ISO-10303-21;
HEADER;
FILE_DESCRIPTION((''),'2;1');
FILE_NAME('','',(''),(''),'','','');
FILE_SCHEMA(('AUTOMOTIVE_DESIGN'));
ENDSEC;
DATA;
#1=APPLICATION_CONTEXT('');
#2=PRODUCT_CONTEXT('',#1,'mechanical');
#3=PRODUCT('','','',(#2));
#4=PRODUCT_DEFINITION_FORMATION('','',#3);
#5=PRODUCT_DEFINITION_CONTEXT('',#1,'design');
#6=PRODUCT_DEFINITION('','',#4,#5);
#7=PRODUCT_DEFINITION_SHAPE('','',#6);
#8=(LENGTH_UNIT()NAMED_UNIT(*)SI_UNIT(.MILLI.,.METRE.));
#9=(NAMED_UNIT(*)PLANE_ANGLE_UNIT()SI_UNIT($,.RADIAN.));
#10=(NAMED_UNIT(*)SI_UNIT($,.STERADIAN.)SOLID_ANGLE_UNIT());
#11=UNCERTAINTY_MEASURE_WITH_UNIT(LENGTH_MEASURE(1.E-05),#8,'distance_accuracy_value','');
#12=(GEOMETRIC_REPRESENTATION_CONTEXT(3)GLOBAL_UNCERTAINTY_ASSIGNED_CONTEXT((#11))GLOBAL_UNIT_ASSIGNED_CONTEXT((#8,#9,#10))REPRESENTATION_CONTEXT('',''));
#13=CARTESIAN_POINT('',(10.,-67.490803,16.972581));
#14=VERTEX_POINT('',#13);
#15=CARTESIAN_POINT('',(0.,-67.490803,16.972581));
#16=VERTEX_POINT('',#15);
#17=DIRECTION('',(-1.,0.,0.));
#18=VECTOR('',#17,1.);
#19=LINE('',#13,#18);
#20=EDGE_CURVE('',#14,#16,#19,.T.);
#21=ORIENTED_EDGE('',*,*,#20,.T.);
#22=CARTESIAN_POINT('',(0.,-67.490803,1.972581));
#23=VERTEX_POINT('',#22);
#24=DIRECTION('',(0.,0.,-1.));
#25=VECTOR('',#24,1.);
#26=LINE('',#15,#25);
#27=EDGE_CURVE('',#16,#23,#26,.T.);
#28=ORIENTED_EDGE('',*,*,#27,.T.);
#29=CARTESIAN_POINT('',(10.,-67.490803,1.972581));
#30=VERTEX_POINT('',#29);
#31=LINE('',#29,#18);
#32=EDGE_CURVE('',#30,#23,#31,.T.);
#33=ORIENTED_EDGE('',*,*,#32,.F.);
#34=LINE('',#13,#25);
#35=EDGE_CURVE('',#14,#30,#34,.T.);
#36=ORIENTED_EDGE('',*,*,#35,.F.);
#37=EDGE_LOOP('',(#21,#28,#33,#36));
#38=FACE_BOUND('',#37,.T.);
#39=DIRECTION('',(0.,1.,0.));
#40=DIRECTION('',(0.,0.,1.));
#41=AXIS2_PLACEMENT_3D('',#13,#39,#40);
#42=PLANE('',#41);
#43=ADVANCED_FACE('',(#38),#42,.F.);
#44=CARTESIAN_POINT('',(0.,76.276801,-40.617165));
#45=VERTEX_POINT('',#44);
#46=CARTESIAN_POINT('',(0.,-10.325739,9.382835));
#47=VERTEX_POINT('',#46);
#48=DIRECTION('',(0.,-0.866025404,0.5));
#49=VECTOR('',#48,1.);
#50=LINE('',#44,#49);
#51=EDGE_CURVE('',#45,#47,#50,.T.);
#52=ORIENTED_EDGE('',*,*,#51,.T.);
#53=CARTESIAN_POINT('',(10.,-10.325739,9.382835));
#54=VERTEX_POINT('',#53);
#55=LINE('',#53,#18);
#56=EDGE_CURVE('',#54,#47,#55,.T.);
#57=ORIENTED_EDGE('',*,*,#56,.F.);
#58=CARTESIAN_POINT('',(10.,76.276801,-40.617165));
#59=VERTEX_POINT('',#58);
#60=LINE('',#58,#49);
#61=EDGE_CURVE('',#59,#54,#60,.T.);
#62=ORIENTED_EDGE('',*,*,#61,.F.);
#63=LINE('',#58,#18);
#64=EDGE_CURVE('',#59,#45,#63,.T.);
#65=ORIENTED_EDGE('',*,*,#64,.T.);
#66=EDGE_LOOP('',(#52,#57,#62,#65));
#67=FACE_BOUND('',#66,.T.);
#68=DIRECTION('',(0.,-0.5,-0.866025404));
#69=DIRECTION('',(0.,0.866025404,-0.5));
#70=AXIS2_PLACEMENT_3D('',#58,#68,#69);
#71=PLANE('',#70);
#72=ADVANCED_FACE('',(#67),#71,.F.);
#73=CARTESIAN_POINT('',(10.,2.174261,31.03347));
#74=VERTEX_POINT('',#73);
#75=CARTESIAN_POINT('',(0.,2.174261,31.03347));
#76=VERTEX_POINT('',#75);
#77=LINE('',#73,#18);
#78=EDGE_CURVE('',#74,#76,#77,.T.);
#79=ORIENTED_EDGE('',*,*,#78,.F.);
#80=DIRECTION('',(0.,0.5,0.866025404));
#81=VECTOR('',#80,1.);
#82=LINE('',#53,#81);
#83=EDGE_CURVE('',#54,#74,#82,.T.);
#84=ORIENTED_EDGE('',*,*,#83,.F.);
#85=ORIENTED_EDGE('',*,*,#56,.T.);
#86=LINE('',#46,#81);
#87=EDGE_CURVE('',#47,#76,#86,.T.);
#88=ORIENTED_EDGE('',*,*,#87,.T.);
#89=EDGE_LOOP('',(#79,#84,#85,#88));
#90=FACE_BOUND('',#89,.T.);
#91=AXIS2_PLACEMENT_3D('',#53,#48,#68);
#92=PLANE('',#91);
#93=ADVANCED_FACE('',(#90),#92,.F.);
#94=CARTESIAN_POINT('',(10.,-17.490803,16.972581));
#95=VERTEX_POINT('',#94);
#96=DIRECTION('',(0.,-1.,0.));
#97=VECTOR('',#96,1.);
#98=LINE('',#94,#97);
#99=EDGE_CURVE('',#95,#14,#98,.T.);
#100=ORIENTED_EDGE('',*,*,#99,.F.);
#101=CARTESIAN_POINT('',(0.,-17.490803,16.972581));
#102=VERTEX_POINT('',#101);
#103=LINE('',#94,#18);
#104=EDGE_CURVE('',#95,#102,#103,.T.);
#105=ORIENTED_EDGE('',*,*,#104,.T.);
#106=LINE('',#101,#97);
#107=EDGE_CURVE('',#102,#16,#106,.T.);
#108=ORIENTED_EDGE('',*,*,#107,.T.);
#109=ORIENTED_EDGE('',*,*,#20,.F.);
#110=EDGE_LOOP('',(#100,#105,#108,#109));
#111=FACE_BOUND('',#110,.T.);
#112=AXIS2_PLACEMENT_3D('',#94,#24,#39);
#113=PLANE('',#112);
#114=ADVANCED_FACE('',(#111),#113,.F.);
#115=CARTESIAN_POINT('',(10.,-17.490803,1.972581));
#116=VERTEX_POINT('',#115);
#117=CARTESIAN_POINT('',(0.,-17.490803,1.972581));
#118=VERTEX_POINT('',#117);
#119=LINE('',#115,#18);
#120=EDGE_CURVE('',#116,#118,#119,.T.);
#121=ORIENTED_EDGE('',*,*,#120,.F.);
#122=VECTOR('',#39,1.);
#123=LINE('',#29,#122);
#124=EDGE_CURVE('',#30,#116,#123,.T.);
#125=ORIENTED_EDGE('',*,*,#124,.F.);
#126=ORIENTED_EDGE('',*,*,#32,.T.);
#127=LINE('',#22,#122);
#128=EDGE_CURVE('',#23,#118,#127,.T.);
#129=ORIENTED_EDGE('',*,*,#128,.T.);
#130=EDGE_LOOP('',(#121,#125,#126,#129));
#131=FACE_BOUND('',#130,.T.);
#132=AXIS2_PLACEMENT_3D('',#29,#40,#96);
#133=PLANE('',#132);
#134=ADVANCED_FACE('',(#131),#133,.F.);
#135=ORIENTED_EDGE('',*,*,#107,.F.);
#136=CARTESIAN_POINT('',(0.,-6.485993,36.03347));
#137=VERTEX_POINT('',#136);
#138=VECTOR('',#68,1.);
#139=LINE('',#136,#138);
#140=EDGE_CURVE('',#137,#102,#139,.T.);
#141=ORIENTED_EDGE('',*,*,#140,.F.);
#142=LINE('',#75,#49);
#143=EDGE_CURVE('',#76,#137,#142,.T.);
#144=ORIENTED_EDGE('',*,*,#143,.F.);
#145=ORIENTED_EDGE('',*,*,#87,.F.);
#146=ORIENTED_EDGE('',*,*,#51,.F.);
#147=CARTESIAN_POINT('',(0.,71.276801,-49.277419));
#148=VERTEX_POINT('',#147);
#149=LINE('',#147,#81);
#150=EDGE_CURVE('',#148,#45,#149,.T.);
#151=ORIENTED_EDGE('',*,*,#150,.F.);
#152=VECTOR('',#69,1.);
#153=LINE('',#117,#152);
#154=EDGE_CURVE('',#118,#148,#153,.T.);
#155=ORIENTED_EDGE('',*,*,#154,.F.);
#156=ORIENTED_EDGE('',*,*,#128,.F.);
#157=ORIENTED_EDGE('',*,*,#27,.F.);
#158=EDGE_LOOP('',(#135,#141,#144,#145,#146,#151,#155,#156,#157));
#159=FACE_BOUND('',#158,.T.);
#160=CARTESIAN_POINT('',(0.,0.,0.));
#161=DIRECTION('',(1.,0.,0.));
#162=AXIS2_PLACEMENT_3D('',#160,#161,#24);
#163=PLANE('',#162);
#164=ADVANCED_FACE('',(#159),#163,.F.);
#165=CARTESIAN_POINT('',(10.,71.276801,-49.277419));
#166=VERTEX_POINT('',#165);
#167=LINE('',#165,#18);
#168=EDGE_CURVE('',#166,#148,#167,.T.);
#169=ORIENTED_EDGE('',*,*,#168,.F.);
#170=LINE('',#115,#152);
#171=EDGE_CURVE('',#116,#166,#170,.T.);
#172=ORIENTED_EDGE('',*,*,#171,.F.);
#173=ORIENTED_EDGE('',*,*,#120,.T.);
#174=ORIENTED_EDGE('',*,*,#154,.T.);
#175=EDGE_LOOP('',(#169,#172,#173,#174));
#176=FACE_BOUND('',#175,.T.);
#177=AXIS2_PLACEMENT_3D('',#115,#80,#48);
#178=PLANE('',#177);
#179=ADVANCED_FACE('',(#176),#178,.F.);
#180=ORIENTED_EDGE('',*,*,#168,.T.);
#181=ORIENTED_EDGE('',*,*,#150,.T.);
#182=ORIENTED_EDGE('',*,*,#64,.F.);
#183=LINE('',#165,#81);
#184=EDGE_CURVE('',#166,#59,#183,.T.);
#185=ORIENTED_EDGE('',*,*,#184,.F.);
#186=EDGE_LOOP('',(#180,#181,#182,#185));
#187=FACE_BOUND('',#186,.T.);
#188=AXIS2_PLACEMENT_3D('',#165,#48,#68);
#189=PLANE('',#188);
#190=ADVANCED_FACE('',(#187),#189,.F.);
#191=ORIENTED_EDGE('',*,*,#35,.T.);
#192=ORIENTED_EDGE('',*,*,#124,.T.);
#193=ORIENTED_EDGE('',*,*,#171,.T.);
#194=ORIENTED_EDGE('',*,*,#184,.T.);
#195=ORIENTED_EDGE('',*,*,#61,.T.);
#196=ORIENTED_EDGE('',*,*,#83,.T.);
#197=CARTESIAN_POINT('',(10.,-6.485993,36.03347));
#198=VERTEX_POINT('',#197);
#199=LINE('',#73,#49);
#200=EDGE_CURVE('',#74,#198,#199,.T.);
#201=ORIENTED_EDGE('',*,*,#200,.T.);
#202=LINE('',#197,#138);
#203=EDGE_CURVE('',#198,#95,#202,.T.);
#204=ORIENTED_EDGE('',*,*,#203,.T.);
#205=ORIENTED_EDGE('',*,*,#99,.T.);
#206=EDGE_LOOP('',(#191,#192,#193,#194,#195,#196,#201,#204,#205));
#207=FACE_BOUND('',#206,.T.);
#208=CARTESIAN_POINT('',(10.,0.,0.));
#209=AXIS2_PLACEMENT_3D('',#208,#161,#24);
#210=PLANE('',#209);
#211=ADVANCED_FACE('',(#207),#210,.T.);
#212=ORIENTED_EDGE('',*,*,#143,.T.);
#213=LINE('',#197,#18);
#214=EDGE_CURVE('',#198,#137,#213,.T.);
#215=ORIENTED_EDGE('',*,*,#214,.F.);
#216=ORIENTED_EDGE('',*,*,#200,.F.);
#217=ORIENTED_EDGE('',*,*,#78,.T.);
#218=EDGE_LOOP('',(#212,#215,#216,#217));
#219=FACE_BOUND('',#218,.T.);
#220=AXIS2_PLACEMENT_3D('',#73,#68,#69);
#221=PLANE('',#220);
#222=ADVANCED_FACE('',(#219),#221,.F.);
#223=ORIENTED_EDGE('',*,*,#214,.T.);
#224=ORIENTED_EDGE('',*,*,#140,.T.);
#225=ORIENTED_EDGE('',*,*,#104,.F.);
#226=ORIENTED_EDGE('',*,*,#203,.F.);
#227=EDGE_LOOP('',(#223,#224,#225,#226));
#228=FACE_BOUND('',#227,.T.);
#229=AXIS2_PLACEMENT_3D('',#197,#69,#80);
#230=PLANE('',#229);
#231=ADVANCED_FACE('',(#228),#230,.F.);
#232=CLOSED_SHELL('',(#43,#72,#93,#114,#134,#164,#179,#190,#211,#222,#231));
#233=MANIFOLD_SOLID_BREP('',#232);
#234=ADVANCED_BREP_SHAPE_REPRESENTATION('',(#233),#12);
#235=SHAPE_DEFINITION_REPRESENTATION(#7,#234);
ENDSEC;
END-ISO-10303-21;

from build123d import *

# Parameters (mm, degrees)
BOSS_EXTRUDE1_DEPTH = 10


with BuildPart() as part:
    # Sketch1 → Boss-Extrude1 (new body)
    with BuildSketch(Plane(origin=(0, 0, 0), x_dir=(0, 0, -1), z_dir=(1, 0, 0))):
        Polygon((40.617165223, 76.27680134), (-9.382834777, -10.325739039), (-31.033469871, 2.174260961), (-36.033469871, -6.485993077), (-16.972580739, -17.490802548), (-16.972580739, -67.490802548), (-1.972580739, -67.490802548), (-1.972580739, -17.490802548), (49.277419261, 71.27680134), align=None)
    extrude(amount=BOSS_EXTRUDE1_DEPTH)


solid = part.part
